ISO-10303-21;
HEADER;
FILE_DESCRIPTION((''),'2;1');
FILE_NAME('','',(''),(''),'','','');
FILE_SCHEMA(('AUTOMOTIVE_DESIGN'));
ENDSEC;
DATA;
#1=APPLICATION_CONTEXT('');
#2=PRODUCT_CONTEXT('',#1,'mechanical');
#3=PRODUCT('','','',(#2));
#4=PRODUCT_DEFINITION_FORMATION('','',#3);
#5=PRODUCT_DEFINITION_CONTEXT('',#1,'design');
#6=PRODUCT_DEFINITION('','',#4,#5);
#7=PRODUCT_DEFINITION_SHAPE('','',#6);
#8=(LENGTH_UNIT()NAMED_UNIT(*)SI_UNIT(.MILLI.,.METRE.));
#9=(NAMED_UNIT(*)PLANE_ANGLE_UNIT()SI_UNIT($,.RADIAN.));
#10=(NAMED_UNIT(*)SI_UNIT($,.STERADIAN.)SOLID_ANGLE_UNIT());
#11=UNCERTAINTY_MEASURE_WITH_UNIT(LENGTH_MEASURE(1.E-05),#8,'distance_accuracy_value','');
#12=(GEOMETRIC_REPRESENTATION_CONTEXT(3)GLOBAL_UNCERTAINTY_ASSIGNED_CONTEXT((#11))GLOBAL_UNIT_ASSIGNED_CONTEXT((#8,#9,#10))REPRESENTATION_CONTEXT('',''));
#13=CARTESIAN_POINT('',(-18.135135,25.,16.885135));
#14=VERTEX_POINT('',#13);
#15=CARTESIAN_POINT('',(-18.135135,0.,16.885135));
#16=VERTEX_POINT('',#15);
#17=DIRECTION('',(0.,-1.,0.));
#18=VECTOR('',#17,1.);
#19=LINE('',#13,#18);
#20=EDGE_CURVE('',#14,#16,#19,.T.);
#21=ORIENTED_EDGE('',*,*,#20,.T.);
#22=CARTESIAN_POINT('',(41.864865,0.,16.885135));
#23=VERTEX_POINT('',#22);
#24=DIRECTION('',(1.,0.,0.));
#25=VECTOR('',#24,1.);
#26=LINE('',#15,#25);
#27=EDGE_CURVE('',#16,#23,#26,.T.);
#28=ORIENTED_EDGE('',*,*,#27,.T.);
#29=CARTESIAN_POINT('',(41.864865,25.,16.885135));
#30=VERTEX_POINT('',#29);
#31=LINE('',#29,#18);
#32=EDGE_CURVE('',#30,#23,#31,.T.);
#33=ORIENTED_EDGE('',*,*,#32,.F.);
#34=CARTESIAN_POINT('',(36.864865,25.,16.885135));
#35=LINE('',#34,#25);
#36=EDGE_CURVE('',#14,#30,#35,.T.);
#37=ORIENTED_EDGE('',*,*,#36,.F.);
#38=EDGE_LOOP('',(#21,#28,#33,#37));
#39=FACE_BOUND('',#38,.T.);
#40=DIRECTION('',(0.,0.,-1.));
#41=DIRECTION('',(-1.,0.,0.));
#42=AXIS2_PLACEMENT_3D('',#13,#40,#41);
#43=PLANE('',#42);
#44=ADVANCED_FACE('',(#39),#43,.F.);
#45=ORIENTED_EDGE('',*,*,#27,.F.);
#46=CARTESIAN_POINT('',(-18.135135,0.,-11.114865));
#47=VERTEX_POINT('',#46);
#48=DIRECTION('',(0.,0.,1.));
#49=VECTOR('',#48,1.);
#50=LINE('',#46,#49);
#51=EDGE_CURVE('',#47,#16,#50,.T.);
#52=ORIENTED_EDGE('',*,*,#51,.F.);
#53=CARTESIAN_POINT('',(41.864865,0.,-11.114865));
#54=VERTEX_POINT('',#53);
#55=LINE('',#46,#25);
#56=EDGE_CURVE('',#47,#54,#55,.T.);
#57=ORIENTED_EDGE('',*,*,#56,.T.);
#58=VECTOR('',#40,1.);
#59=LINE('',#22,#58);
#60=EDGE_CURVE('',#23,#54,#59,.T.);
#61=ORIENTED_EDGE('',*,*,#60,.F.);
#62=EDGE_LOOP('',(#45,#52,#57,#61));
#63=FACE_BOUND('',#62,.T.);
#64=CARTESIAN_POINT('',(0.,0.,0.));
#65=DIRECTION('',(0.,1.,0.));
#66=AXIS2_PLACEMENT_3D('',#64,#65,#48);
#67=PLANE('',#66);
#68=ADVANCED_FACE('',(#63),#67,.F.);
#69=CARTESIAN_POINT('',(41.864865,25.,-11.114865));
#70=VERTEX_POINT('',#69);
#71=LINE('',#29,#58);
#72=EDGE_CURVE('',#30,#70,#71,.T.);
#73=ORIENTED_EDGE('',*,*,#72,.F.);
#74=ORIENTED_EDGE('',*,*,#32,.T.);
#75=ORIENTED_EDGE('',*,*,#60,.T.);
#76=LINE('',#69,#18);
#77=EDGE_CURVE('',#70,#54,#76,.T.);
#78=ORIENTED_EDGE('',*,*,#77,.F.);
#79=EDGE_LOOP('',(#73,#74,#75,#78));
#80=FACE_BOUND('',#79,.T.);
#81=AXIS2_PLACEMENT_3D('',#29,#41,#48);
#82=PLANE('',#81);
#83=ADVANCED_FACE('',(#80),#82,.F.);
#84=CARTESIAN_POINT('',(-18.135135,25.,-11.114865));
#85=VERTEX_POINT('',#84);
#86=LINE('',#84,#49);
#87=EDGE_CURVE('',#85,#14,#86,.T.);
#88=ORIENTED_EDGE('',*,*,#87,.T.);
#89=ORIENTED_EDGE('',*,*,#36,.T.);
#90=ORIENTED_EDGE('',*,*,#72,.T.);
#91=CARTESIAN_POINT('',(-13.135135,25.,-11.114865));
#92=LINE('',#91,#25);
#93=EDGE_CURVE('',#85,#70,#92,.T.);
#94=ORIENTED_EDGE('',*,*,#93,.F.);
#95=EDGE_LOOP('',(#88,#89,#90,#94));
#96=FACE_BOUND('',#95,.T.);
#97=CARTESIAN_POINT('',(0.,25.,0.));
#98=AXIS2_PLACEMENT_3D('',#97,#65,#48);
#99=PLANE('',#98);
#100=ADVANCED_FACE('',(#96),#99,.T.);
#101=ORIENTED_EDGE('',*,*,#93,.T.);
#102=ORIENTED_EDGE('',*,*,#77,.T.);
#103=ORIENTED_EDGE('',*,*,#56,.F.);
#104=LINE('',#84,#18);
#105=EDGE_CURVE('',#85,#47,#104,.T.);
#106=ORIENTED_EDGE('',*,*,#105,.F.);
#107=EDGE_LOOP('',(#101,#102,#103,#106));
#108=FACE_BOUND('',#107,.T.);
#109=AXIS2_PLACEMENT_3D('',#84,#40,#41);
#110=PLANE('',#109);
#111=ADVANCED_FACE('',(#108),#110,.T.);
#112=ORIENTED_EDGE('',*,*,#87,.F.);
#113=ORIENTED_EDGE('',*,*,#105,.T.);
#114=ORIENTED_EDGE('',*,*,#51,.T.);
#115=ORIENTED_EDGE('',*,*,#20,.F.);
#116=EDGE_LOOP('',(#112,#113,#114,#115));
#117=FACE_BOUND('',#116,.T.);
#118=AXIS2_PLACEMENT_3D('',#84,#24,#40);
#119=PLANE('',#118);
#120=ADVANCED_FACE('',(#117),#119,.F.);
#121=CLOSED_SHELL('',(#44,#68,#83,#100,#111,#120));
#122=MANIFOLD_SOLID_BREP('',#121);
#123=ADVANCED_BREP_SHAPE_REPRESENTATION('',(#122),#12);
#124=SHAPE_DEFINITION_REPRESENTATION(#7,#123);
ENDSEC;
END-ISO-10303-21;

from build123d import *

# Parameters (mm, degrees)
BOSS_EXTRU_1_DEPTH = 25


with BuildPart() as part:
    # Esquisse1 → Boss.-Extru.1 (new body)
    with BuildSketch(Plane(origin=(0, 0, 0), x_dir=(1, 0, 0), z_dir=(0, 1, 0))):
        Polygon((-18.135135135, 11.114864865), (-13.135135135, 11.114864865), (36.864864865, 11.114864865), (41.864864865, 11.114864865), (41.864864865, -16.885135135), (36.864864865, -16.885135135), (-13.135135135, -16.885135135), (-18.135135135, -16.885135135), align=None)
    extrude(amount=BOSS_EXTRU_1_DEPTH)


solid = part.part
